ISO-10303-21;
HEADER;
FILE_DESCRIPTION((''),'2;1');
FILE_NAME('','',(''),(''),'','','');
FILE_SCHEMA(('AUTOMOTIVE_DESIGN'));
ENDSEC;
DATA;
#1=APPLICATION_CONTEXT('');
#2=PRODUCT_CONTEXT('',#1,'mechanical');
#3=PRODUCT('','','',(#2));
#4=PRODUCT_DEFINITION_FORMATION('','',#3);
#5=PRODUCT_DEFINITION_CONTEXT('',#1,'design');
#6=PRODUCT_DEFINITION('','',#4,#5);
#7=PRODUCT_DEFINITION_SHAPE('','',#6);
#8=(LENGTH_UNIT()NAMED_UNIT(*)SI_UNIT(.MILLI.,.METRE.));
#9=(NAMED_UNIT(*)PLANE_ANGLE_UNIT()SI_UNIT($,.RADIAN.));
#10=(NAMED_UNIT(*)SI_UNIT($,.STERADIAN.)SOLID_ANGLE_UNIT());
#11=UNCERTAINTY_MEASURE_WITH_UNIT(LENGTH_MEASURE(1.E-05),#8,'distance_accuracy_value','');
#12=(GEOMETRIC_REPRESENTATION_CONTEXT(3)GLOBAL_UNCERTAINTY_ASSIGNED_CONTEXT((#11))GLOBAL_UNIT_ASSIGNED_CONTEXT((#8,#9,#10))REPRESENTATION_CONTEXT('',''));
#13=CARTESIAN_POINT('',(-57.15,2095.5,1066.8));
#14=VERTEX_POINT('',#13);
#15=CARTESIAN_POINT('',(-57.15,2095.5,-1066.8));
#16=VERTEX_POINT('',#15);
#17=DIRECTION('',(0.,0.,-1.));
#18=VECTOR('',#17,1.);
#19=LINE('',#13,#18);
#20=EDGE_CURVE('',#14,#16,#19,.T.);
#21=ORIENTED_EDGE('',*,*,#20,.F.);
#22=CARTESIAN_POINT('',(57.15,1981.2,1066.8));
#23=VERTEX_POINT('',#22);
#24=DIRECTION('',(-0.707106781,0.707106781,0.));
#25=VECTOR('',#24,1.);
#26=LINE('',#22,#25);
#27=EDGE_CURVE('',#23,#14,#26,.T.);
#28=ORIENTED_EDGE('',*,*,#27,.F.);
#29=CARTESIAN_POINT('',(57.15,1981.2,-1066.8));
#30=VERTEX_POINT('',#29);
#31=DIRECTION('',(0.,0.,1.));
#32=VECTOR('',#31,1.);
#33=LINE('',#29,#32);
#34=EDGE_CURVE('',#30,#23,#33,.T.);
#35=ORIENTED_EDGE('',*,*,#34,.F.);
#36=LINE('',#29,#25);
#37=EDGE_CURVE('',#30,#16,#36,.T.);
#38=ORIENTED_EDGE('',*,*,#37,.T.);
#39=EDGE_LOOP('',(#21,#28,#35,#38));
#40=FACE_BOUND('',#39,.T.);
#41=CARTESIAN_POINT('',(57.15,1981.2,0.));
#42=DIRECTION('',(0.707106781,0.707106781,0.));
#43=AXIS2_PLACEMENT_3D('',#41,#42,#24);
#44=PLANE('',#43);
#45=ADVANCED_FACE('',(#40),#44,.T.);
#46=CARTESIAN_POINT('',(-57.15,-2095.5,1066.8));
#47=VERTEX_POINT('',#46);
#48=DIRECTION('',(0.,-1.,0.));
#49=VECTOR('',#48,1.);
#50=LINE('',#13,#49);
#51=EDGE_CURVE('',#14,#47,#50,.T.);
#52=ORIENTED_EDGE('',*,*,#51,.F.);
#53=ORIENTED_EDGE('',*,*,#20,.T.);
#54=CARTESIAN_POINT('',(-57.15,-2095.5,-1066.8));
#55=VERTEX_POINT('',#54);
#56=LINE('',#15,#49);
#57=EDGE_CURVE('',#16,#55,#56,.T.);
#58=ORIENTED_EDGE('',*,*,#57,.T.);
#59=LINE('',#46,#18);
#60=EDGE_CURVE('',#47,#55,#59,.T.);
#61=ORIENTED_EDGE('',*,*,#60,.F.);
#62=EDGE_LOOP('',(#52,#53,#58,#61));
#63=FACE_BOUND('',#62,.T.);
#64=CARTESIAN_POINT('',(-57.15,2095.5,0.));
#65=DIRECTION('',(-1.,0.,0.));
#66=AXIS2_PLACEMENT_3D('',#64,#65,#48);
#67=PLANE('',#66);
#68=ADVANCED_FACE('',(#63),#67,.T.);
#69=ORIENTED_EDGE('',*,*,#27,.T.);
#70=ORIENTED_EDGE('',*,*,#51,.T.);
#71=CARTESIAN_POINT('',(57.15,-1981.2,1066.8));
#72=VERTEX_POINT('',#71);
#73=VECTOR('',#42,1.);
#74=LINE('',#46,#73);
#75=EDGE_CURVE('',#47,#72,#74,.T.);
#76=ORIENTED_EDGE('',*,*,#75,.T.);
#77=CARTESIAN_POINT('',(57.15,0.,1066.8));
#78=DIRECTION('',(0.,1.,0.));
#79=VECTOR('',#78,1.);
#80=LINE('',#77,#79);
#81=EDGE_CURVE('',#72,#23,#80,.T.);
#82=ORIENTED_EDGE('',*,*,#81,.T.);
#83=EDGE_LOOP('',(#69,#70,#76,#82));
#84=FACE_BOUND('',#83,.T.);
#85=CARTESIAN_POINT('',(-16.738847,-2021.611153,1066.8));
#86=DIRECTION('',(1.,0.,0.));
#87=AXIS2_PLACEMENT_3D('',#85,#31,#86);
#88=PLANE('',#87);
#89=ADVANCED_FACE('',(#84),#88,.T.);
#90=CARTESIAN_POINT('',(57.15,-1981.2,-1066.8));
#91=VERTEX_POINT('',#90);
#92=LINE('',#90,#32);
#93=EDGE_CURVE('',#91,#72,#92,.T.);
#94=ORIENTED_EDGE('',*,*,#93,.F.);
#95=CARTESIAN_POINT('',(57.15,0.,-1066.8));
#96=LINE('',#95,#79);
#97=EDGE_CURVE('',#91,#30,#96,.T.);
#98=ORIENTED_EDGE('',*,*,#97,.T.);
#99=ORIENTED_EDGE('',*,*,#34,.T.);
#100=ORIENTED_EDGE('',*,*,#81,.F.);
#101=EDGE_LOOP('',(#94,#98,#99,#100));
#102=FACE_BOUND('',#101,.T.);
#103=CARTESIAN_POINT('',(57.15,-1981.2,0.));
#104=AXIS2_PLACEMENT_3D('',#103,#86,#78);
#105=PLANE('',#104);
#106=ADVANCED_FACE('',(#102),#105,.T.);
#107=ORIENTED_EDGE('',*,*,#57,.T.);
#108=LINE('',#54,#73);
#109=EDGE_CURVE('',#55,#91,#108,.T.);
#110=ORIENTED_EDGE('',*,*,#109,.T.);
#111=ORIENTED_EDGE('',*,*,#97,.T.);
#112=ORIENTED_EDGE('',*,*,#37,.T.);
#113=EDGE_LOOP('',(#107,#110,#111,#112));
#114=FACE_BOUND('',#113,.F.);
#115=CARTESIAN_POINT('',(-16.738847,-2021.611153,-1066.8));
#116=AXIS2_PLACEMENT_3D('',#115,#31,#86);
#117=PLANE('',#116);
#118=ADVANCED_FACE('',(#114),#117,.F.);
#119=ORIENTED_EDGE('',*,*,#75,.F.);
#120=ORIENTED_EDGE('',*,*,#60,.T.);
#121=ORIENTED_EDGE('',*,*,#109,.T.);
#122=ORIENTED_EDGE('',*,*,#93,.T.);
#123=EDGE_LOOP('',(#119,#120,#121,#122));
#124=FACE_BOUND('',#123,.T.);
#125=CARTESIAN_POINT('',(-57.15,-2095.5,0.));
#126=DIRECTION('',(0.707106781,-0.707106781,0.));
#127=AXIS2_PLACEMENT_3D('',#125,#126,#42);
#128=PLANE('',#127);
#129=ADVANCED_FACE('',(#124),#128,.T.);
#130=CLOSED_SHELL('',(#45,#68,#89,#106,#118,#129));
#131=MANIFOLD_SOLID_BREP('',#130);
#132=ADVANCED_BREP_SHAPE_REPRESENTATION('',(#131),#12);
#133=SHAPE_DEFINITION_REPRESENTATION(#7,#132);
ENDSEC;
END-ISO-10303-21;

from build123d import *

# Parameters (mm, degrees)
F0_W     = 3987.8
F0_H     = 114.3
F1_DEPTH = 1066.8
F3_W     = 114.3
F3_H     = 3962.4
F4_DEPTH = 1066.8


with BuildPart() as f1:
    # F0 (on Top) → F1 (new body, symmetric)
    with BuildSketch(Plane.XY):
        Polygon((-2108.2, 57.15), (-1993.9, -57.15), (-1993.9, 57.15), align=None)
        Rectangle(F0_W, F0_H)
        Polygon((1993.9, 57.15), (1993.9, -57.15), (2108.2, 57.15), align=None)
    extrude(amount=F1_DEPTH, both=True)


with BuildPart() as f4:
    # F3 (on Top) → F4 (new body, symmetric)
    with BuildSketch(Plane.XY):
        Polygon((-57.15, -2095.5), (57.15, -1981.2), (-57.15, -1981.2), (-57.15, -2002.2456645966), align=None)
        Rectangle(F3_W, F3_H)
        Polygon((-57.15, 1981.2), (57.15, 1981.2), (-57.15, 2095.5), (-57.15, 2002.329826355), align=None)
    extrude(amount=F4_DEPTH, both=True)


solid = f4.part
